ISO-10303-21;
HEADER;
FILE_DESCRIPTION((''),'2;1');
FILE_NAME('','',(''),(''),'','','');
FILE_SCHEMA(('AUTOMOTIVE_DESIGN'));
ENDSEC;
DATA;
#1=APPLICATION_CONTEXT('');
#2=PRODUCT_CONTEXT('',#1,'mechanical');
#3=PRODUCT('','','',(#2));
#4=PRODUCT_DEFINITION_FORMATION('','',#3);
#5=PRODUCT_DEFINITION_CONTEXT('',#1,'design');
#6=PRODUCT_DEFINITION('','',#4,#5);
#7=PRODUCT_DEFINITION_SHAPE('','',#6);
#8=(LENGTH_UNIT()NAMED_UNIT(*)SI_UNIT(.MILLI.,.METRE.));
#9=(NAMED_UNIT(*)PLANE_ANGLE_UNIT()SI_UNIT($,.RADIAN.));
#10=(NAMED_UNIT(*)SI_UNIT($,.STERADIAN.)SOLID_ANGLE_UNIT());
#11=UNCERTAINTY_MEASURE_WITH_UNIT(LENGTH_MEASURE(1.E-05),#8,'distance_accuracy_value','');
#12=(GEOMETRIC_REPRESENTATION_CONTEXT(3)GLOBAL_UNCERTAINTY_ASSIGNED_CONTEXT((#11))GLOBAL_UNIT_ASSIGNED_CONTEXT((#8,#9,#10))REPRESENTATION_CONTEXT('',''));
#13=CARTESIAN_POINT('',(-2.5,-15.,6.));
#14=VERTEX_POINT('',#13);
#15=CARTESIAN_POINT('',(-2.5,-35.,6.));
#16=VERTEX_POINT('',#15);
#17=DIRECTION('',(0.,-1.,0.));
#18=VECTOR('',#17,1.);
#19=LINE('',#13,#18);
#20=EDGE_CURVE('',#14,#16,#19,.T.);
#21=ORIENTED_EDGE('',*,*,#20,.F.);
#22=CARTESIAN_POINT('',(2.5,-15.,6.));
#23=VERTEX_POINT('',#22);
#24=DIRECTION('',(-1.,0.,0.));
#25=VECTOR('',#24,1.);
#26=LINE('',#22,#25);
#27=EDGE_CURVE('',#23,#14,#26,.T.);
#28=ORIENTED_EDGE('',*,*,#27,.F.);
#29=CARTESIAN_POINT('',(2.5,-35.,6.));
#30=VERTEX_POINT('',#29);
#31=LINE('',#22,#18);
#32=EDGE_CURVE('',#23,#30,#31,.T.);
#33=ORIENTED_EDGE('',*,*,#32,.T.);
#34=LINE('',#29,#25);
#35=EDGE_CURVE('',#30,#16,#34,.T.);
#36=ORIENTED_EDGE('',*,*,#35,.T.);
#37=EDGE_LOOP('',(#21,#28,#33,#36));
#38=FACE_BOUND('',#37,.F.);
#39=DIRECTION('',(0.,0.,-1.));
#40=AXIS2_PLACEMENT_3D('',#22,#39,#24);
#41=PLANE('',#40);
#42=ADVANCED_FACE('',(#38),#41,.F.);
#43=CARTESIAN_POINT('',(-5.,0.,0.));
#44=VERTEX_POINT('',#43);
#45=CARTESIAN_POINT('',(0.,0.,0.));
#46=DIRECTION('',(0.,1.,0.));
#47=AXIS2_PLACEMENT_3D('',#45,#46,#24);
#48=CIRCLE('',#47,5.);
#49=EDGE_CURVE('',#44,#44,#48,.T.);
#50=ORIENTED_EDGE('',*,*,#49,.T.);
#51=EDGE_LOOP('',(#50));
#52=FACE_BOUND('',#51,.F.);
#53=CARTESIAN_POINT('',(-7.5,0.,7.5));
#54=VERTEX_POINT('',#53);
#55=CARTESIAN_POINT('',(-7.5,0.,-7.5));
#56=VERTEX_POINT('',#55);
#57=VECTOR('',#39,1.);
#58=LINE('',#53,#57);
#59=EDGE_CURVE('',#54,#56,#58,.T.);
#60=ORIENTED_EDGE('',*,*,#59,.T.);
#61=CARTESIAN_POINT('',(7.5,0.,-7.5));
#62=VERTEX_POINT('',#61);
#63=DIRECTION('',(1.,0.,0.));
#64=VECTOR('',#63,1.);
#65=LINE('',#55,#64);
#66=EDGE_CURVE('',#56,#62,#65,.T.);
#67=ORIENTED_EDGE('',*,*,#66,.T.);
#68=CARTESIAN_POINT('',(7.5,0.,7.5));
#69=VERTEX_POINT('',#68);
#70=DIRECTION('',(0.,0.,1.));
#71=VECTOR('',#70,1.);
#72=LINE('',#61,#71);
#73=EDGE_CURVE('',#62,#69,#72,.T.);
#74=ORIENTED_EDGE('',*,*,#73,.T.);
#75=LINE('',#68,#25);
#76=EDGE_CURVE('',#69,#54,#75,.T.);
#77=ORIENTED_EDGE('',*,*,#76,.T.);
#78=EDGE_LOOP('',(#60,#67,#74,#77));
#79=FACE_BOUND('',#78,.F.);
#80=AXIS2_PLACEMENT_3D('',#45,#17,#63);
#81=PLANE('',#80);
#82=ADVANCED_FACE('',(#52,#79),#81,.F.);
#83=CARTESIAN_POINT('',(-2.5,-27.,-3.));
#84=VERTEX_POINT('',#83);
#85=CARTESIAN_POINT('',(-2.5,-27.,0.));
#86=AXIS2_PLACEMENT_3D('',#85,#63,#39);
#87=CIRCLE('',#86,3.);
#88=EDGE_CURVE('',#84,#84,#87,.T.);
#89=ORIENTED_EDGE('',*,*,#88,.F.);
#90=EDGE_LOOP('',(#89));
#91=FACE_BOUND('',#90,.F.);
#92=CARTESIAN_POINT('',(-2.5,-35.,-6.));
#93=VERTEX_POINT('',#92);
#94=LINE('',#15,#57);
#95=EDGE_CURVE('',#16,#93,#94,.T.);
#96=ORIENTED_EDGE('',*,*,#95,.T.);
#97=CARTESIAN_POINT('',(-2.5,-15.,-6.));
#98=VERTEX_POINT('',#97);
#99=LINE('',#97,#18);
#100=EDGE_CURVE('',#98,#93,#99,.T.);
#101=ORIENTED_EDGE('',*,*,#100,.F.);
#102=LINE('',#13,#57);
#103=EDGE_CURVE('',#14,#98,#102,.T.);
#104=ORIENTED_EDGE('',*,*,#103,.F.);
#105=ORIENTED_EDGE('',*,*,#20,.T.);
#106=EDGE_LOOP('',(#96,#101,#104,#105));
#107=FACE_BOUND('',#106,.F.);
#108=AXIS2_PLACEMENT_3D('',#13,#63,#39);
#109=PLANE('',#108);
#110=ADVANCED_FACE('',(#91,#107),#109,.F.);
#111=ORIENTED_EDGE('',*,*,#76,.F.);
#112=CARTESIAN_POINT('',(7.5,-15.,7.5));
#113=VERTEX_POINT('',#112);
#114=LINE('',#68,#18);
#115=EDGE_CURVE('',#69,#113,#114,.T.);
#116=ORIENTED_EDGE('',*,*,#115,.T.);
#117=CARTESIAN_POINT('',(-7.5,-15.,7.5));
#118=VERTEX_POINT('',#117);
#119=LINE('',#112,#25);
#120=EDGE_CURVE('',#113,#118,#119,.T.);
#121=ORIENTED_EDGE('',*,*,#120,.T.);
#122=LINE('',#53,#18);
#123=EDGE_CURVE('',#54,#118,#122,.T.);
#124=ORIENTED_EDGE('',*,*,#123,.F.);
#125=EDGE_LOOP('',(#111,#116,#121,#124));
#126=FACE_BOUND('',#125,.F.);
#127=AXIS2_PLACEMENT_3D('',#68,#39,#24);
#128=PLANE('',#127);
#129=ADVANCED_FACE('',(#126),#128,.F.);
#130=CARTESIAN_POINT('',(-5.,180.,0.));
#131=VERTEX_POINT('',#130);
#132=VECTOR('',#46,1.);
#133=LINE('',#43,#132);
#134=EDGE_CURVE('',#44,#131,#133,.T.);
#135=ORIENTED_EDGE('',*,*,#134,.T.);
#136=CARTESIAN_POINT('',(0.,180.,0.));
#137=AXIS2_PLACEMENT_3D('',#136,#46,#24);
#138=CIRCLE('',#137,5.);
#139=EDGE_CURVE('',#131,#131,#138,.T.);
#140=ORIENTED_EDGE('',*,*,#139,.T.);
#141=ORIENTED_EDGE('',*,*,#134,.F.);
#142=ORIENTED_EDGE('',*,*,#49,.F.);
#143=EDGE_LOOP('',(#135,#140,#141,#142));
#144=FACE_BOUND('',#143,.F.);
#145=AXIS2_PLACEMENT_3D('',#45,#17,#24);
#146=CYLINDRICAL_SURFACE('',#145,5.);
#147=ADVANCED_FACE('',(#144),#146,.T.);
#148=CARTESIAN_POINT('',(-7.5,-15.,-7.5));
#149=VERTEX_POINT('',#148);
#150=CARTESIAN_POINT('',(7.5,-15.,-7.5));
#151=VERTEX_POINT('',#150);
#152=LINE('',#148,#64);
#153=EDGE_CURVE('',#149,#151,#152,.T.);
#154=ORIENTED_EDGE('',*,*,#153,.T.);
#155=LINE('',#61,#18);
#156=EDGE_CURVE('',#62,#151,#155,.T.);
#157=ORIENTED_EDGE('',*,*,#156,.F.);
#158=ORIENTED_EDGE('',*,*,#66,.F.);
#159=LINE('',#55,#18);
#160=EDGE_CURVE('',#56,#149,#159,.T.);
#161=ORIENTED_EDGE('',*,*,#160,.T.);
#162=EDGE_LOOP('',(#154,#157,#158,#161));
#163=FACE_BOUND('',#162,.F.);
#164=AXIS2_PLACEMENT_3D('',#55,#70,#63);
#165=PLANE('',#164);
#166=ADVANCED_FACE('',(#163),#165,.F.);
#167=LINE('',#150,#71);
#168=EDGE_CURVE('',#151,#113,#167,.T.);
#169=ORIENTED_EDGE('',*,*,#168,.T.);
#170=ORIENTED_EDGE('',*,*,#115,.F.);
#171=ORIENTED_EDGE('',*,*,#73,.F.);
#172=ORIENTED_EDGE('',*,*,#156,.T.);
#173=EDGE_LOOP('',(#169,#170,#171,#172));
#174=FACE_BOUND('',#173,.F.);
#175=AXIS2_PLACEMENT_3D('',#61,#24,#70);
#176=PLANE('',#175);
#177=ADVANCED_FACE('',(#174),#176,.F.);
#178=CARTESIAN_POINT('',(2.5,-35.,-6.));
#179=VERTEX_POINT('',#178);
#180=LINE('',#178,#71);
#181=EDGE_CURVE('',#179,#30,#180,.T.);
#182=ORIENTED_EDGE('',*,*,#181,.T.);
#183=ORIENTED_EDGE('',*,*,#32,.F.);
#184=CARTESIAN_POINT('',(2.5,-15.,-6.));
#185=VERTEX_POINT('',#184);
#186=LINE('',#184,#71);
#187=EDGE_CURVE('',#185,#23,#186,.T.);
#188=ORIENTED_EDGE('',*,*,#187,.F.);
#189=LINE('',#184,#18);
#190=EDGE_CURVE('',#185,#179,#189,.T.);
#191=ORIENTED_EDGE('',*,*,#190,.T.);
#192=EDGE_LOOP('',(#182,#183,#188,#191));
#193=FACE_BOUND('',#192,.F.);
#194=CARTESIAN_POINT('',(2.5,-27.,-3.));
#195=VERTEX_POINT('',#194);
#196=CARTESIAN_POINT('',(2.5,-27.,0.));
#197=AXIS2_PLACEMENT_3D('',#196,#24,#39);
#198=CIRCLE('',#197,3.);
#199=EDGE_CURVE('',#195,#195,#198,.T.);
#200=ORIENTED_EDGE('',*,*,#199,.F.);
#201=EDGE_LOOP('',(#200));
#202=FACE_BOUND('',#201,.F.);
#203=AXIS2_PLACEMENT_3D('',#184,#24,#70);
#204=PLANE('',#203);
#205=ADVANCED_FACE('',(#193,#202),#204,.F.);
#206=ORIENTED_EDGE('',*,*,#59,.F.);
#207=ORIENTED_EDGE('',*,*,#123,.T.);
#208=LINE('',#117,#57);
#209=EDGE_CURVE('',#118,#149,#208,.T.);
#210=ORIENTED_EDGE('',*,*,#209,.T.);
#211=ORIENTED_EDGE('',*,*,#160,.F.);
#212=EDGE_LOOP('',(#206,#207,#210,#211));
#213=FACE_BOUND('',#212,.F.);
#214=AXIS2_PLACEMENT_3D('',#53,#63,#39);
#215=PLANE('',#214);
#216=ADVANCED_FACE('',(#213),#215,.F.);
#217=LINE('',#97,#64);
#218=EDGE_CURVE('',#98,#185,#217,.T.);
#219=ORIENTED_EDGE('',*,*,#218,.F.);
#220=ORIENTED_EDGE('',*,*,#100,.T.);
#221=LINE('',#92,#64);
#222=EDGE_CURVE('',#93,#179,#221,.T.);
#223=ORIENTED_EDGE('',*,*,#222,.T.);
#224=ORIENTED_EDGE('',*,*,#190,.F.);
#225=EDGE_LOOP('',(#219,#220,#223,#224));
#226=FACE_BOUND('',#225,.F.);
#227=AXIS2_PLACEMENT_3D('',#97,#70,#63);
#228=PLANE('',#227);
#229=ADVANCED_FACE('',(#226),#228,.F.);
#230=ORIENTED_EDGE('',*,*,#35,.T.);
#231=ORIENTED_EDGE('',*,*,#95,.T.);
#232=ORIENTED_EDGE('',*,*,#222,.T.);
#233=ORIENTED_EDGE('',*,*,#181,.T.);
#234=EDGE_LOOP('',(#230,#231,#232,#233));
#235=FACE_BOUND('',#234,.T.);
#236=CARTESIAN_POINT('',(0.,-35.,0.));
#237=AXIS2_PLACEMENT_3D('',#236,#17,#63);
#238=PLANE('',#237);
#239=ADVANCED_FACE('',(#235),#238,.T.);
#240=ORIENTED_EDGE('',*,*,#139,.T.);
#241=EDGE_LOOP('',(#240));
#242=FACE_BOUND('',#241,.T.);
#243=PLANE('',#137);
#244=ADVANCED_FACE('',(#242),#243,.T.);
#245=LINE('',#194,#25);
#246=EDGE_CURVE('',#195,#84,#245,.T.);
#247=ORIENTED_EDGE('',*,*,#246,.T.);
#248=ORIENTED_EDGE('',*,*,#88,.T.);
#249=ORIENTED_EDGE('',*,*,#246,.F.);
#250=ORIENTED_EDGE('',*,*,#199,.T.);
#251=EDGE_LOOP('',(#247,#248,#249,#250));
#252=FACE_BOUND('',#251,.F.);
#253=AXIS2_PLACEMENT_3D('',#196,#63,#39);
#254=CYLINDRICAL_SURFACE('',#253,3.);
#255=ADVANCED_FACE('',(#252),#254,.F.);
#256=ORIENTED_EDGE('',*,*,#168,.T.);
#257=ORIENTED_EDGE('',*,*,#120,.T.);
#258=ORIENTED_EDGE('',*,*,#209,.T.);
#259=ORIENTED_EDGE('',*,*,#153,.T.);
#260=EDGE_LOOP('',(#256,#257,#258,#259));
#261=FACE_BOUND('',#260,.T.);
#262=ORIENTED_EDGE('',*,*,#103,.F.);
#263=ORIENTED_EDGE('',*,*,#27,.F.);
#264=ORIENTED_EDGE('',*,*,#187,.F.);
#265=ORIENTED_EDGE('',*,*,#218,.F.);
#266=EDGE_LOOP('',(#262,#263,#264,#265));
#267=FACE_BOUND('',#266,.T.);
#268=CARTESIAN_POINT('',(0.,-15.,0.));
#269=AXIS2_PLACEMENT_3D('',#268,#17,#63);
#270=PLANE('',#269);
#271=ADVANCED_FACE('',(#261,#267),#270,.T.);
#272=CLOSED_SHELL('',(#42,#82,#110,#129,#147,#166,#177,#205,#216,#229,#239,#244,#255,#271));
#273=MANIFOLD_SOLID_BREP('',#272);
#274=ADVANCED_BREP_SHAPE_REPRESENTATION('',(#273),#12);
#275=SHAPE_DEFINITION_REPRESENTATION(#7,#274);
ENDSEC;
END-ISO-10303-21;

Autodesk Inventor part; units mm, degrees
ref_plane "YZ Plane" through (0, 0, 0) normal (1, 0, 0) x (0, 1, 0)
ref_plane "XZ Plane" through (0, 0, 0) normal (0, 1, 0) x (-1, 0, 0)
ref_plane "XY Plane" through (0, 0, 0) normal (0, 0, 1) x (1, 0, 0)
sketch "Boceto3" plane through (0, 0, 0) normal (0, 1, 0) x (-1, 0, 0)
  circle A0 centre (0, 0) radius 5
  dimension "d21" = 10
extrude "Extrusión2" add sketch "Boceto3" along normal blind 180
sketch "Boceto4" plane through (0, 0, 0) normal (0, -1, 0) x (1, 0, 0)
  line L0 (-7.5, -7.5) -> (7.5, -7.5)
  line L1 (7.5, -7.5) -> (7.5, 7.5)
  line L2 (7.5, 7.5) -> (-7.5, 7.5)
  line L3 (-7.5, 7.5) -> (-7.5, -7.5)
  line L4 (-7.5, -7.5) -> (7.5, 7.5) construction
  line L5 (7.5, -7.5) -> (-7.5, 7.5) construction
  point P0 (0, 0)
  dimension "d24" = 15
  dimension "d25" = 15
extrude "Extrusión3" add sketch "Boceto4" along normal blind 15
sketch "Boceto5" plane through (0, -15, 0) normal (0, -1, 0) x (1, 0, 0)
  line L0 (2.5, 6) -> (-2.5, 6)
  line L1 (-2.5, 6) -> (-2.5, -6)
  line L2 (-2.5, -6) -> (2.5, -6)
  line L3 (2.5, -6) -> (2.5, 6)
  line L4 (2.5, 6) -> (-2.5, -6) construction
  line L5 (-2.5, 6) -> (2.5, -6) construction
  point P0 (0, 0)
  dimension "d28" = 5
  dimension "d29" = 12
extrude "Extrusión4" add sketch "Boceto5" along normal blind 20
sketch "Boceto6" plane through (2.5, -15, 6) normal (1, 0, 0) x (0, 0, -1)
  line L0 (12, -20) -> (0, -20) projected
  line L1 (6, -20) -> (6, -12)
  circle A0 centre (6, -12) radius 3
  point P0 (6, 15)
  dimension "d32" = 8
  dimension "d33" = 6
extrude "Extrusión5" cut sketch "Boceto6" against normal blind 20
properties part number "pendulum" material "Plástico ABS"
